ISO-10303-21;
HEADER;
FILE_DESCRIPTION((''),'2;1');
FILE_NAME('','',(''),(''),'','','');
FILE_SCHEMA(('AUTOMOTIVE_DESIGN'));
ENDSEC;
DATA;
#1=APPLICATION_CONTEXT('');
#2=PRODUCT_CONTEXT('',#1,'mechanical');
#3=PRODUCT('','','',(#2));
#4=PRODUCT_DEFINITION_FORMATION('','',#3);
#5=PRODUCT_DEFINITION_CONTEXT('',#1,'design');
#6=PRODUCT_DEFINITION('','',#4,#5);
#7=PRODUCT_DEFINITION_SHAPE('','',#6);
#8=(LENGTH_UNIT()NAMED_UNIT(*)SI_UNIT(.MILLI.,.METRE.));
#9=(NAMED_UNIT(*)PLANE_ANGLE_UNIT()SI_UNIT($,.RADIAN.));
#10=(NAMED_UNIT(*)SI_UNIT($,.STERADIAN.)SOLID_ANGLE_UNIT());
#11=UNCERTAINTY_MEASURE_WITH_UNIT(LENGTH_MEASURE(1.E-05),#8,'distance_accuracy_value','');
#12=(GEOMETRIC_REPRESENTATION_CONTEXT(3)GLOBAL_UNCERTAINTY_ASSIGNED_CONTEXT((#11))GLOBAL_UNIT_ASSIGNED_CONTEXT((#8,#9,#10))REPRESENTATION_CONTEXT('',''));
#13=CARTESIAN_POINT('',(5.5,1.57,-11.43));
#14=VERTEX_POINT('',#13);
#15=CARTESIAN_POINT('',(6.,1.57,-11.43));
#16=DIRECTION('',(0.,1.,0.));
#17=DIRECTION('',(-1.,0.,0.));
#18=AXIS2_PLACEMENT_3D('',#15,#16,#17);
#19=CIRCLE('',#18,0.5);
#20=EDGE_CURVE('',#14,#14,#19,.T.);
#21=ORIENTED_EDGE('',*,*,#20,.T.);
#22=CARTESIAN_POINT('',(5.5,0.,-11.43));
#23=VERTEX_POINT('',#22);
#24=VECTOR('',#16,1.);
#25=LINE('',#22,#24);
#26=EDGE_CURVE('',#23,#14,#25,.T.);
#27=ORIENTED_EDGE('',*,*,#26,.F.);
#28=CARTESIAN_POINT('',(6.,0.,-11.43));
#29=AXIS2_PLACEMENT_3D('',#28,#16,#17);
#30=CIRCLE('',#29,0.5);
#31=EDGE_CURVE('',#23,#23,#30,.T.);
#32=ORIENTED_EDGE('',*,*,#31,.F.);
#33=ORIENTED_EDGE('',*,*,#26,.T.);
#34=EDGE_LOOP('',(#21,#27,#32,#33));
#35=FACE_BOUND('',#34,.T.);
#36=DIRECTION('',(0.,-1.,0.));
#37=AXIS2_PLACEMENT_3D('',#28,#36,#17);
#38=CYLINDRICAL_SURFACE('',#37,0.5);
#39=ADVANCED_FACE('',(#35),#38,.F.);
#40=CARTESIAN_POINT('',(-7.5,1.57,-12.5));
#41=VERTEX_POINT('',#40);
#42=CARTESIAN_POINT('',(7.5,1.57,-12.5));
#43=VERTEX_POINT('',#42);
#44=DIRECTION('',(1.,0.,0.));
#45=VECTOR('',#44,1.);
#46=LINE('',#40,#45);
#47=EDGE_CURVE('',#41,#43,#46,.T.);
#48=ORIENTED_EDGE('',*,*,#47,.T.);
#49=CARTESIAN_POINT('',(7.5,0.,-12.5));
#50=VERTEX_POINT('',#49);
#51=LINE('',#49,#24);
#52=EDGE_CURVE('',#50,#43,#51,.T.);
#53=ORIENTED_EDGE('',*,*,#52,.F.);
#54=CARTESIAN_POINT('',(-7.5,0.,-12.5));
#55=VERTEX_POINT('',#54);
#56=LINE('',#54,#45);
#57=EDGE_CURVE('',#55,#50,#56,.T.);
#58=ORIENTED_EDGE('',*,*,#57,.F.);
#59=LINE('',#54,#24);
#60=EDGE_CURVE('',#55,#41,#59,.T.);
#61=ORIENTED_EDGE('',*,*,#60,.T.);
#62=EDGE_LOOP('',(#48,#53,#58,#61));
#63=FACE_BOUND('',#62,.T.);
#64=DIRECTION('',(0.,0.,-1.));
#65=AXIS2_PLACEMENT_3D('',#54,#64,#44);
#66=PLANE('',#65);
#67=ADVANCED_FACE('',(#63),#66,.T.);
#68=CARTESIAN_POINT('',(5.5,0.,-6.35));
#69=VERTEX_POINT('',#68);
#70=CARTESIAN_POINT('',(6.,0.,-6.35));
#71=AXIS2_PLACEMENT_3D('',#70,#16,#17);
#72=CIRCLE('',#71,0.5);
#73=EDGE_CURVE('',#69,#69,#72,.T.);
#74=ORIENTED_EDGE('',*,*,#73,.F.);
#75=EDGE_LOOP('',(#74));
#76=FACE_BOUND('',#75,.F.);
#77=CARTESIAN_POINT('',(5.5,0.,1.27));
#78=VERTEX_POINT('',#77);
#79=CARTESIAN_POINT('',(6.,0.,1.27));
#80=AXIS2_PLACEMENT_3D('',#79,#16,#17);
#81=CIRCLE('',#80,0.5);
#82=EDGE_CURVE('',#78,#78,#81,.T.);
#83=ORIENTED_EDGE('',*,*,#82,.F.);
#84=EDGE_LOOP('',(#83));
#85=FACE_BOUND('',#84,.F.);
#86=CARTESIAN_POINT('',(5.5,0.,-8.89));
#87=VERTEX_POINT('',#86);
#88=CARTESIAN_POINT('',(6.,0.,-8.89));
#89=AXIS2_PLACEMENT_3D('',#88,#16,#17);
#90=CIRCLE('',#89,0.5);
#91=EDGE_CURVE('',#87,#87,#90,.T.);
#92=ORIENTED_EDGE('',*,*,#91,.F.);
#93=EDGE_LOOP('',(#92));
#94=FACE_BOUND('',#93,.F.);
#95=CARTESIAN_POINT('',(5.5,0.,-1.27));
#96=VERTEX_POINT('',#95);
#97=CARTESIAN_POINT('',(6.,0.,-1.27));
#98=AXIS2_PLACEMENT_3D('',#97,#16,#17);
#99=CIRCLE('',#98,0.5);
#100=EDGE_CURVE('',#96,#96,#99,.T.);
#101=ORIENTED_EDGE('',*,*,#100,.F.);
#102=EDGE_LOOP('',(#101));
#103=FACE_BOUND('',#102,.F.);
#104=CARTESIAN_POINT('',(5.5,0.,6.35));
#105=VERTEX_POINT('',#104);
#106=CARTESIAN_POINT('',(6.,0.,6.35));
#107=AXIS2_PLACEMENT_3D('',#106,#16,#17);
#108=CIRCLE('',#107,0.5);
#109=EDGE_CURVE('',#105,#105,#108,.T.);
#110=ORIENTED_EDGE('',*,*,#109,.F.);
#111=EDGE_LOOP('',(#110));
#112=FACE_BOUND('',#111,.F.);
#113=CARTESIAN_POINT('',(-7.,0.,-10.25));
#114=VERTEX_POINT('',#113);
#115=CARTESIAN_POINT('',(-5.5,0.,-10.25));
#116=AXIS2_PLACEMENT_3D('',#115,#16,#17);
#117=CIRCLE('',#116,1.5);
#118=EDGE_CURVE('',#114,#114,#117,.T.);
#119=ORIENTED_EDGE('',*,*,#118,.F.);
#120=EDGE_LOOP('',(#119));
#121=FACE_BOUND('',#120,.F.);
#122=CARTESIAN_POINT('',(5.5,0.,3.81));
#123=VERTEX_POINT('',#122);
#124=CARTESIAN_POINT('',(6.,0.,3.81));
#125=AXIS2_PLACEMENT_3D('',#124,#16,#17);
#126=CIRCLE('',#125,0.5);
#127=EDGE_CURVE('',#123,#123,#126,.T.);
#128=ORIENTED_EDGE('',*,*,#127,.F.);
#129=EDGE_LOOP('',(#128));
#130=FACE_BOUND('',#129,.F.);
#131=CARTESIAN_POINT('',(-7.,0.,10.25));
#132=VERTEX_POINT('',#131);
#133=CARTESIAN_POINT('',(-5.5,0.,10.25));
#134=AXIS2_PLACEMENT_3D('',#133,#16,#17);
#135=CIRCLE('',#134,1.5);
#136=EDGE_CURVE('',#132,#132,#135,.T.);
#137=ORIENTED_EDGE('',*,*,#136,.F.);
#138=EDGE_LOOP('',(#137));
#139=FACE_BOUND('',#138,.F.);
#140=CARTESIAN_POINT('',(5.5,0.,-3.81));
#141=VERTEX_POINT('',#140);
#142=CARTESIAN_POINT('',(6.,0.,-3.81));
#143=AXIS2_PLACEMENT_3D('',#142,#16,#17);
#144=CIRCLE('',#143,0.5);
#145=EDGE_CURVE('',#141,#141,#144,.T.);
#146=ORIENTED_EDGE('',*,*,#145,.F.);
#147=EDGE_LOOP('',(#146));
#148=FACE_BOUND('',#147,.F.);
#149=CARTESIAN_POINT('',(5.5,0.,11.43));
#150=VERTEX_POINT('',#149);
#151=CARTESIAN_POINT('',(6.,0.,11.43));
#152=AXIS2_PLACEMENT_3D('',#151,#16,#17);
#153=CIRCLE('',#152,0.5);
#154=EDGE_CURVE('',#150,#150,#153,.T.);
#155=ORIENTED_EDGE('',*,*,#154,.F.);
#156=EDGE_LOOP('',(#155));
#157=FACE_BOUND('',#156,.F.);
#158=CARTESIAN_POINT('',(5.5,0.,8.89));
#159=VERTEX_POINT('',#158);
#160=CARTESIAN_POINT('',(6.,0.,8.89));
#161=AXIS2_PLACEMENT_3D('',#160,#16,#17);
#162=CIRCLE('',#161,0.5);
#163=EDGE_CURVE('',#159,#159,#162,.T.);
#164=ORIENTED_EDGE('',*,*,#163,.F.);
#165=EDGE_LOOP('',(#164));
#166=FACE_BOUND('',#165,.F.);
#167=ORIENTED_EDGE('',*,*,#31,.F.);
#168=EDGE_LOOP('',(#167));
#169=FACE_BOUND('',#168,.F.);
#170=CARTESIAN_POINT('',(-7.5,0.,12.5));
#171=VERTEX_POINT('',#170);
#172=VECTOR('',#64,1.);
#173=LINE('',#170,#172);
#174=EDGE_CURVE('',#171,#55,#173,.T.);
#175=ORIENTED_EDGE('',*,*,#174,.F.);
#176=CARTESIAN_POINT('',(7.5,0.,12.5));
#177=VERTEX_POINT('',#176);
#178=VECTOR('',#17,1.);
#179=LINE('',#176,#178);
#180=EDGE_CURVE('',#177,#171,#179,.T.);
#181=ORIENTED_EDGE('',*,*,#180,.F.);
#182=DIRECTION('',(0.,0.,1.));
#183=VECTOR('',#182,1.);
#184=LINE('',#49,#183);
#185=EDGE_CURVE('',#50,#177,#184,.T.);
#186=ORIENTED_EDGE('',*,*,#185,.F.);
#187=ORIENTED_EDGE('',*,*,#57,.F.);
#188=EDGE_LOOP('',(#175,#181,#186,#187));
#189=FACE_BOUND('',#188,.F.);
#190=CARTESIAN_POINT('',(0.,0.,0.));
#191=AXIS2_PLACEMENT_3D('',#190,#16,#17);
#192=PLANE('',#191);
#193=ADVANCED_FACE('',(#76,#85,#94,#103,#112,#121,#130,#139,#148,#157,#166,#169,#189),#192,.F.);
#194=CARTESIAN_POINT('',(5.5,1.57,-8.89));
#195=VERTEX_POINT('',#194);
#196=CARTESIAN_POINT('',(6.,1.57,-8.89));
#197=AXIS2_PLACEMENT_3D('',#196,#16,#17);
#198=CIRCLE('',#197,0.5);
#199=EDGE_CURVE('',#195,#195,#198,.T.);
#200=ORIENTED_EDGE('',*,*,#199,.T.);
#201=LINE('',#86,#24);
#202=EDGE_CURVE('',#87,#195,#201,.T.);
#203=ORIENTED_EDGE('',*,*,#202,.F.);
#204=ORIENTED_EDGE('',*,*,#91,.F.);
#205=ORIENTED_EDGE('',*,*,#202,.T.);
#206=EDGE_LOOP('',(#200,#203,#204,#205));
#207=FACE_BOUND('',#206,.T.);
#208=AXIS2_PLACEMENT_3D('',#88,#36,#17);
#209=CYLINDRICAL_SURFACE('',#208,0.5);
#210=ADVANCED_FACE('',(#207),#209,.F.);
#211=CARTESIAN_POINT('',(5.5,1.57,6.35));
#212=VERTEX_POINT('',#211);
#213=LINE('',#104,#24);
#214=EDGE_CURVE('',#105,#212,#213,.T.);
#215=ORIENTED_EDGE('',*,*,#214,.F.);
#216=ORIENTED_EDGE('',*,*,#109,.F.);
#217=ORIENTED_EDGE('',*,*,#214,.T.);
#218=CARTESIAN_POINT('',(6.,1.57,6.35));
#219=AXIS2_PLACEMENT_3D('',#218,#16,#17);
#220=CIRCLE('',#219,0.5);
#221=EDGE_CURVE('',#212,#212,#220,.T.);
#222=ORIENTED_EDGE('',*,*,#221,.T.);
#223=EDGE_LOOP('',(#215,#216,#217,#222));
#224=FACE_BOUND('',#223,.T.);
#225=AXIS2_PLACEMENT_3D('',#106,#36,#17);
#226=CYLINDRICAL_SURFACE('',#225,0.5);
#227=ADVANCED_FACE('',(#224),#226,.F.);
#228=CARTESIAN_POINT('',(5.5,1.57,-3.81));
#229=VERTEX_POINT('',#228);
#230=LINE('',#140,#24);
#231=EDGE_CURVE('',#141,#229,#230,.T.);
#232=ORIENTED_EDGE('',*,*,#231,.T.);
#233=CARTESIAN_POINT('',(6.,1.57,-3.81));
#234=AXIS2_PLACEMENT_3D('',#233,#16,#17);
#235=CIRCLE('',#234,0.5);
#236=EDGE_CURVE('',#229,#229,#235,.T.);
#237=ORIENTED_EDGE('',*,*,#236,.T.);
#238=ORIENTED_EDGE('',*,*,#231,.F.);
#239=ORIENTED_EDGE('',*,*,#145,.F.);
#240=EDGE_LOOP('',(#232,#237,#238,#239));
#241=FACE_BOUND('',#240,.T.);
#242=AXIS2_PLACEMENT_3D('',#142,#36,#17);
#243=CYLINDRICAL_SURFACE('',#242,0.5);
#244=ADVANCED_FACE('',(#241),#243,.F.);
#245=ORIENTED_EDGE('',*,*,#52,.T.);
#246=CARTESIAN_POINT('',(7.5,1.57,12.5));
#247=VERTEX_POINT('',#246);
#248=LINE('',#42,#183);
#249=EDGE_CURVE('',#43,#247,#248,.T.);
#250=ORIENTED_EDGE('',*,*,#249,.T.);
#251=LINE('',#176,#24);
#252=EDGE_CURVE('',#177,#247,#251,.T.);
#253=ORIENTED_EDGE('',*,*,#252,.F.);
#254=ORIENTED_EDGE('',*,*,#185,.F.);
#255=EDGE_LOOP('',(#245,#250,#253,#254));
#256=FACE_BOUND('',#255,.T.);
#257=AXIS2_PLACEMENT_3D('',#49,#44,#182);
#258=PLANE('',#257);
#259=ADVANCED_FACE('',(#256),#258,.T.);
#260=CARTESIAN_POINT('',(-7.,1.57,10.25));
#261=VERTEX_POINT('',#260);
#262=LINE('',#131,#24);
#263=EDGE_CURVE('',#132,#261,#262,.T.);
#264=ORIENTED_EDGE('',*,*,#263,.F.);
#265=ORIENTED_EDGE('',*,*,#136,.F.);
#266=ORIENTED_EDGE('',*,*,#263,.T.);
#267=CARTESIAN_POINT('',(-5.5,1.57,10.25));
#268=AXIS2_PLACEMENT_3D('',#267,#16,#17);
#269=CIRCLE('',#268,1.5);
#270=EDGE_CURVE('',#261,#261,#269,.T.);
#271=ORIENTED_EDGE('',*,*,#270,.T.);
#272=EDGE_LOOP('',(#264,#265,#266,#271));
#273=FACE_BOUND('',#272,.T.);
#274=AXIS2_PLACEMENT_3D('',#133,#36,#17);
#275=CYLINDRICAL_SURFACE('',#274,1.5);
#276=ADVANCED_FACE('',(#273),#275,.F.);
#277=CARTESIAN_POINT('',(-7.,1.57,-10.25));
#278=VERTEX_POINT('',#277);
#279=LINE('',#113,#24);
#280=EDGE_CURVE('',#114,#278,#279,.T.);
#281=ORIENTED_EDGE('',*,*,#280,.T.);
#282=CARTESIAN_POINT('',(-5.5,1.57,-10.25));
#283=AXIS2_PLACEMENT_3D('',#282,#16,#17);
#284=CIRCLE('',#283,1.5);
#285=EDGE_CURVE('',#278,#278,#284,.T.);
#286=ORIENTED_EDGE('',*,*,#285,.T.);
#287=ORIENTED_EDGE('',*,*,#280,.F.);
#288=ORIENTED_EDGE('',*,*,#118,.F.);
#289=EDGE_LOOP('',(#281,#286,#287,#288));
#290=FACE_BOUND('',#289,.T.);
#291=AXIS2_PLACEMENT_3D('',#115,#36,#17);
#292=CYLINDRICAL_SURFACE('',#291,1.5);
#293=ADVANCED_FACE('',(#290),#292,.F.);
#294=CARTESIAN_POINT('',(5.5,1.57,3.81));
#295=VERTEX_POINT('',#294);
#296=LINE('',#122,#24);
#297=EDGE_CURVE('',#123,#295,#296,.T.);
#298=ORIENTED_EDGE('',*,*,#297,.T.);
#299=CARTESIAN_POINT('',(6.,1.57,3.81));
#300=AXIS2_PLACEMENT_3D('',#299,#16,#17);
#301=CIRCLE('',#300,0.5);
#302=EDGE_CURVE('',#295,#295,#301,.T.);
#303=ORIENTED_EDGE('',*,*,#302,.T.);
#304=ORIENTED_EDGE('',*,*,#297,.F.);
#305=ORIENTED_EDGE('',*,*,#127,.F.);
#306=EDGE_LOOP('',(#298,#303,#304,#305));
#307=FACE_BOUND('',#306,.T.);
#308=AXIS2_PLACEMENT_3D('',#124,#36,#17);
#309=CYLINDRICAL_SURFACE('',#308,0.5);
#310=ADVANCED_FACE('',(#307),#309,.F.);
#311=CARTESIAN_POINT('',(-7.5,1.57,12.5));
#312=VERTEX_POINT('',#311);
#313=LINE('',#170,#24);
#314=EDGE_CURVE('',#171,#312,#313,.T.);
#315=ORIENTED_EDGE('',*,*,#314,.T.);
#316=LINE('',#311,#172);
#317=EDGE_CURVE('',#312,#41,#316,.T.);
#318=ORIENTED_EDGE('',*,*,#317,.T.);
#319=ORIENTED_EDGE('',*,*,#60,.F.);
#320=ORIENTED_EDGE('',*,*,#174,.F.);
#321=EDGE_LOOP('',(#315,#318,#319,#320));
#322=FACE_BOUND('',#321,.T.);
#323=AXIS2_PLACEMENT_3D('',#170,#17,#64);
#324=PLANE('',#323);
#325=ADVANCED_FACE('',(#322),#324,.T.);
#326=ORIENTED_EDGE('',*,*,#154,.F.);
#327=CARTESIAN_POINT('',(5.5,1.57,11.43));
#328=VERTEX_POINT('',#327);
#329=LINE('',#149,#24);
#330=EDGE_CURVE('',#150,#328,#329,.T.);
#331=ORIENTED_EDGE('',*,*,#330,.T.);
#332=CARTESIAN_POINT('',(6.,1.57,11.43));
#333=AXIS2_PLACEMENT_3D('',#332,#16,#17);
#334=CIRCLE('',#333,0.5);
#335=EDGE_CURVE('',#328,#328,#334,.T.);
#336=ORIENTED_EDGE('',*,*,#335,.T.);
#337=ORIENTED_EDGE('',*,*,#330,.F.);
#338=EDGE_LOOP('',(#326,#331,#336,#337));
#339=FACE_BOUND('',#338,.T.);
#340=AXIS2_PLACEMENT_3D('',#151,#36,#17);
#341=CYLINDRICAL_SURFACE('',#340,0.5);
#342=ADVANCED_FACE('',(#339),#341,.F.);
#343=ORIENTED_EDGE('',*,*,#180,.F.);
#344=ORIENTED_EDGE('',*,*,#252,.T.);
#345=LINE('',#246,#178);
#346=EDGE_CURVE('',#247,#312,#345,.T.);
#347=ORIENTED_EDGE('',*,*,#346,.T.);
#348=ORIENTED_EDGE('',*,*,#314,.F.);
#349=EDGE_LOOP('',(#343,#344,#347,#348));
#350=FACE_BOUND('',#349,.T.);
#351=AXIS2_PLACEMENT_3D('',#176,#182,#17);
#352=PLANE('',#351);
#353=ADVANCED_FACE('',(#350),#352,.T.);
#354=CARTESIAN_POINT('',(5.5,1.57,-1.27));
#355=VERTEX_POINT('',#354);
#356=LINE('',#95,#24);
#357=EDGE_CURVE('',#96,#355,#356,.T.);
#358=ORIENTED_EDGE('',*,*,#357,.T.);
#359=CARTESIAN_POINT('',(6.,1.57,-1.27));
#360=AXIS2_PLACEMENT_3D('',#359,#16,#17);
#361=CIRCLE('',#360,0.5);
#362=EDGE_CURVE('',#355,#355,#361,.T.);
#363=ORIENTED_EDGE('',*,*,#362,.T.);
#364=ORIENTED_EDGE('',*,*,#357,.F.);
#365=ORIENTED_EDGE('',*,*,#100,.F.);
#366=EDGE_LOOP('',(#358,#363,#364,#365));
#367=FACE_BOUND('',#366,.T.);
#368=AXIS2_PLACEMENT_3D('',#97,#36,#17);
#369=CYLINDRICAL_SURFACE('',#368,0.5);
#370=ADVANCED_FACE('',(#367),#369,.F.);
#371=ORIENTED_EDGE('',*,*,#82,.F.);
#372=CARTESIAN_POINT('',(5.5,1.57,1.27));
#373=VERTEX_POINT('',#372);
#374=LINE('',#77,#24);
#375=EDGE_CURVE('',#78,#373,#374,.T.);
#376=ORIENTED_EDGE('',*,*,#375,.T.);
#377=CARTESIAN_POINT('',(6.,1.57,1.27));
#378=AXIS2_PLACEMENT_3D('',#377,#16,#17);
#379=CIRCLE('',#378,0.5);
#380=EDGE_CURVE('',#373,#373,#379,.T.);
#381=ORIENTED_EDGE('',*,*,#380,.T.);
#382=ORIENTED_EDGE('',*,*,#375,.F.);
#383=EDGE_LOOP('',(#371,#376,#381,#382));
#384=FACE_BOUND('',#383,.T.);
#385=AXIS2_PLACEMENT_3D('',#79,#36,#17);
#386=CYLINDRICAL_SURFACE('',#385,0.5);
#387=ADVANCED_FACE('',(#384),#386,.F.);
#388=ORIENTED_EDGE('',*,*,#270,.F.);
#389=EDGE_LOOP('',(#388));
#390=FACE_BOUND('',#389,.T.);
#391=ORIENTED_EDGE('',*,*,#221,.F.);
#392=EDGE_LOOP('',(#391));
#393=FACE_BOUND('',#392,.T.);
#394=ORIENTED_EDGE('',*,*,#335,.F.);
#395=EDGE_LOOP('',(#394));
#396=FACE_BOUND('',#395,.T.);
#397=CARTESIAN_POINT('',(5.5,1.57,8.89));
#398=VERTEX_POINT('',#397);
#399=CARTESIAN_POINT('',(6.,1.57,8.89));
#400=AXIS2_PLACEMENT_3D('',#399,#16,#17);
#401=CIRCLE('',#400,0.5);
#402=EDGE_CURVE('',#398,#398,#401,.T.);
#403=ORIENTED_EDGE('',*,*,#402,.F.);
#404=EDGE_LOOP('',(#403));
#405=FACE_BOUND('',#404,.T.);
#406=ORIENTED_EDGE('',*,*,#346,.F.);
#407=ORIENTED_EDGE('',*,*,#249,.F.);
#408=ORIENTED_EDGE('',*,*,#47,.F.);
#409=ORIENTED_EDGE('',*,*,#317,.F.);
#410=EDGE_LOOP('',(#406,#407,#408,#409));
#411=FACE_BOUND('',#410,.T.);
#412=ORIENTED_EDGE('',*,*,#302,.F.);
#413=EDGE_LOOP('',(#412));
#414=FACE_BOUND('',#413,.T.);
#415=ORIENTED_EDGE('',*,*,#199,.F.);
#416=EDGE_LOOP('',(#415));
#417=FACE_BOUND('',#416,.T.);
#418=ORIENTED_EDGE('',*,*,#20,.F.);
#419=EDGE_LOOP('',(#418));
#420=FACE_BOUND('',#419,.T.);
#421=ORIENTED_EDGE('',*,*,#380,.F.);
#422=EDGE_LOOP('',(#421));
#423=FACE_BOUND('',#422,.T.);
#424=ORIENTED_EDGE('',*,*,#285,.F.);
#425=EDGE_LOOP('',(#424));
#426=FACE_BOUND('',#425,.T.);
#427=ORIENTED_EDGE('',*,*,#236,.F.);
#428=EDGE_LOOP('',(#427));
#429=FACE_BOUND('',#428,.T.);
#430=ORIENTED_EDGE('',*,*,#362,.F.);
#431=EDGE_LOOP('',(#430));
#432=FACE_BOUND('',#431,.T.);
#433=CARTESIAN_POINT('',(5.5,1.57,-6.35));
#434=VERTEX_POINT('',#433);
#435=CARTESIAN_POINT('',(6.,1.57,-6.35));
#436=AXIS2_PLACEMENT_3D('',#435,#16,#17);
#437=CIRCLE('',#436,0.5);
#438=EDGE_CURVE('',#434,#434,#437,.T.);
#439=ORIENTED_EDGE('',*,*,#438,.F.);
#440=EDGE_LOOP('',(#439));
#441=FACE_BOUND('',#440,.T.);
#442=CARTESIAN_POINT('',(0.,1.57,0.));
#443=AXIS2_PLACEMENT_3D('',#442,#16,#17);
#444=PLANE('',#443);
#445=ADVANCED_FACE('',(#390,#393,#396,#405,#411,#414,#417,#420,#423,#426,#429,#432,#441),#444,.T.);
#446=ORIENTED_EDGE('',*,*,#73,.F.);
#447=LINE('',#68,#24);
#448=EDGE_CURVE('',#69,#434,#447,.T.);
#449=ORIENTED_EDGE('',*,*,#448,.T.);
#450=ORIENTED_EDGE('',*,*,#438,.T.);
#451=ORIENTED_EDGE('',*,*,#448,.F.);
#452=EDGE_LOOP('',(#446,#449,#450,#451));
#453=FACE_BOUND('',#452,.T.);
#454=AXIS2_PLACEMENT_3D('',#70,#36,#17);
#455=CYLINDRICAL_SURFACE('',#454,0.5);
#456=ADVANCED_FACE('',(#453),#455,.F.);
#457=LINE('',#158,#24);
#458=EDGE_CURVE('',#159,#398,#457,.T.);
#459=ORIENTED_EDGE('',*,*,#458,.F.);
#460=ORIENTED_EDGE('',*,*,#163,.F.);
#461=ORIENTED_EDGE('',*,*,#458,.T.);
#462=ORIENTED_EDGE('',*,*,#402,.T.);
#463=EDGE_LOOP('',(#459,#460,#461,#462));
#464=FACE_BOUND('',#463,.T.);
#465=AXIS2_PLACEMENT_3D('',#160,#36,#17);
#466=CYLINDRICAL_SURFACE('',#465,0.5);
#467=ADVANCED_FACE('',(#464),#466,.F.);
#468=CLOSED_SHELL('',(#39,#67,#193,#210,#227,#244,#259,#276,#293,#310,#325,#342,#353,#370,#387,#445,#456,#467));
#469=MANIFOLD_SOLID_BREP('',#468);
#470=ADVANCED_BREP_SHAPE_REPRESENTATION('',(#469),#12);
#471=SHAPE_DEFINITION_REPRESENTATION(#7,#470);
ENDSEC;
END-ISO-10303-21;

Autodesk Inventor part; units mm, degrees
ref_plane "YZ Plane" through (0, 0, 0) normal (1, 0, 0) x (0, 1, 0)
ref_plane "XZ Plane" through (0, 0, 0) normal (0, 1, 0) x (-1, 0, 0)
ref_plane "XY Plane" through (0, 0, 0) normal (0, 0, 1) x (1, 0, 0)
sketch "Sketch1" plane through (0, 0, 0) normal (0, 1, 0) x (-1, 0, 0)
  line L0 (7.5, -12.5) -> (-7.5, -12.5)
  line L1 (-7.5, -12.5) -> (-7.5, 12.5)
  line L2 (-7.5, 12.5) -> (7.5, 12.5)
  line L3 (7.5, 12.5) -> (7.5, -12.5)
  line L4 (7.5, -12.5) -> (-7.5, 12.5) construction
  line L5 (-7.5, -12.5) -> (7.5, 12.5) construction
  circle A0 centre (5.5, 10.25) radius 1.5
  circle A1 centre (5.5, -10.25) radius 1.5
  line L6 (-6, 12.5) -> (-6, -12.5) construction
  circle A2 centre (-6, 11.43) radius 0.5
  circle A3 centre (-6, 8.89) radius 0.5
  circle A4 centre (-6, 6.35) radius 0.5
  circle A5 centre (-6, 3.81) radius 0.5
  circle A6 centre (-6, 1.27) radius 0.5
  circle A7 centre (-6, -1.27) radius 0.5
  circle A8 centre (-6, -3.81) radius 0.5
  circle A9 centre (-6, -6.35) radius 0.5
  circle A10 centre (-6, -8.89) radius 0.5
  circle A11 centre (-6, -11.43) radius 0.5
  point P0 (0, 0)
  dimension "d0" = 15
  dimension "d1" = 25
  dimension "d2" = 3
  dimension "d3" = 2.25
  dimension "d4" = 3
  dimension "d5" = 20.5
  dimension "d6" = 2.25
  dimension "d7" = 2
  dimension "d8" = 2
  dimension "d11" = 1.5
  dimension "d12" = 1
  dimension "d13" = 1.07
  dimension "d16" = 2.54
  dimension "d21" = 1.07
extrude "Extrusion2" add sketch "Sketch1" along normal blind 1.57
properties part number "board"
